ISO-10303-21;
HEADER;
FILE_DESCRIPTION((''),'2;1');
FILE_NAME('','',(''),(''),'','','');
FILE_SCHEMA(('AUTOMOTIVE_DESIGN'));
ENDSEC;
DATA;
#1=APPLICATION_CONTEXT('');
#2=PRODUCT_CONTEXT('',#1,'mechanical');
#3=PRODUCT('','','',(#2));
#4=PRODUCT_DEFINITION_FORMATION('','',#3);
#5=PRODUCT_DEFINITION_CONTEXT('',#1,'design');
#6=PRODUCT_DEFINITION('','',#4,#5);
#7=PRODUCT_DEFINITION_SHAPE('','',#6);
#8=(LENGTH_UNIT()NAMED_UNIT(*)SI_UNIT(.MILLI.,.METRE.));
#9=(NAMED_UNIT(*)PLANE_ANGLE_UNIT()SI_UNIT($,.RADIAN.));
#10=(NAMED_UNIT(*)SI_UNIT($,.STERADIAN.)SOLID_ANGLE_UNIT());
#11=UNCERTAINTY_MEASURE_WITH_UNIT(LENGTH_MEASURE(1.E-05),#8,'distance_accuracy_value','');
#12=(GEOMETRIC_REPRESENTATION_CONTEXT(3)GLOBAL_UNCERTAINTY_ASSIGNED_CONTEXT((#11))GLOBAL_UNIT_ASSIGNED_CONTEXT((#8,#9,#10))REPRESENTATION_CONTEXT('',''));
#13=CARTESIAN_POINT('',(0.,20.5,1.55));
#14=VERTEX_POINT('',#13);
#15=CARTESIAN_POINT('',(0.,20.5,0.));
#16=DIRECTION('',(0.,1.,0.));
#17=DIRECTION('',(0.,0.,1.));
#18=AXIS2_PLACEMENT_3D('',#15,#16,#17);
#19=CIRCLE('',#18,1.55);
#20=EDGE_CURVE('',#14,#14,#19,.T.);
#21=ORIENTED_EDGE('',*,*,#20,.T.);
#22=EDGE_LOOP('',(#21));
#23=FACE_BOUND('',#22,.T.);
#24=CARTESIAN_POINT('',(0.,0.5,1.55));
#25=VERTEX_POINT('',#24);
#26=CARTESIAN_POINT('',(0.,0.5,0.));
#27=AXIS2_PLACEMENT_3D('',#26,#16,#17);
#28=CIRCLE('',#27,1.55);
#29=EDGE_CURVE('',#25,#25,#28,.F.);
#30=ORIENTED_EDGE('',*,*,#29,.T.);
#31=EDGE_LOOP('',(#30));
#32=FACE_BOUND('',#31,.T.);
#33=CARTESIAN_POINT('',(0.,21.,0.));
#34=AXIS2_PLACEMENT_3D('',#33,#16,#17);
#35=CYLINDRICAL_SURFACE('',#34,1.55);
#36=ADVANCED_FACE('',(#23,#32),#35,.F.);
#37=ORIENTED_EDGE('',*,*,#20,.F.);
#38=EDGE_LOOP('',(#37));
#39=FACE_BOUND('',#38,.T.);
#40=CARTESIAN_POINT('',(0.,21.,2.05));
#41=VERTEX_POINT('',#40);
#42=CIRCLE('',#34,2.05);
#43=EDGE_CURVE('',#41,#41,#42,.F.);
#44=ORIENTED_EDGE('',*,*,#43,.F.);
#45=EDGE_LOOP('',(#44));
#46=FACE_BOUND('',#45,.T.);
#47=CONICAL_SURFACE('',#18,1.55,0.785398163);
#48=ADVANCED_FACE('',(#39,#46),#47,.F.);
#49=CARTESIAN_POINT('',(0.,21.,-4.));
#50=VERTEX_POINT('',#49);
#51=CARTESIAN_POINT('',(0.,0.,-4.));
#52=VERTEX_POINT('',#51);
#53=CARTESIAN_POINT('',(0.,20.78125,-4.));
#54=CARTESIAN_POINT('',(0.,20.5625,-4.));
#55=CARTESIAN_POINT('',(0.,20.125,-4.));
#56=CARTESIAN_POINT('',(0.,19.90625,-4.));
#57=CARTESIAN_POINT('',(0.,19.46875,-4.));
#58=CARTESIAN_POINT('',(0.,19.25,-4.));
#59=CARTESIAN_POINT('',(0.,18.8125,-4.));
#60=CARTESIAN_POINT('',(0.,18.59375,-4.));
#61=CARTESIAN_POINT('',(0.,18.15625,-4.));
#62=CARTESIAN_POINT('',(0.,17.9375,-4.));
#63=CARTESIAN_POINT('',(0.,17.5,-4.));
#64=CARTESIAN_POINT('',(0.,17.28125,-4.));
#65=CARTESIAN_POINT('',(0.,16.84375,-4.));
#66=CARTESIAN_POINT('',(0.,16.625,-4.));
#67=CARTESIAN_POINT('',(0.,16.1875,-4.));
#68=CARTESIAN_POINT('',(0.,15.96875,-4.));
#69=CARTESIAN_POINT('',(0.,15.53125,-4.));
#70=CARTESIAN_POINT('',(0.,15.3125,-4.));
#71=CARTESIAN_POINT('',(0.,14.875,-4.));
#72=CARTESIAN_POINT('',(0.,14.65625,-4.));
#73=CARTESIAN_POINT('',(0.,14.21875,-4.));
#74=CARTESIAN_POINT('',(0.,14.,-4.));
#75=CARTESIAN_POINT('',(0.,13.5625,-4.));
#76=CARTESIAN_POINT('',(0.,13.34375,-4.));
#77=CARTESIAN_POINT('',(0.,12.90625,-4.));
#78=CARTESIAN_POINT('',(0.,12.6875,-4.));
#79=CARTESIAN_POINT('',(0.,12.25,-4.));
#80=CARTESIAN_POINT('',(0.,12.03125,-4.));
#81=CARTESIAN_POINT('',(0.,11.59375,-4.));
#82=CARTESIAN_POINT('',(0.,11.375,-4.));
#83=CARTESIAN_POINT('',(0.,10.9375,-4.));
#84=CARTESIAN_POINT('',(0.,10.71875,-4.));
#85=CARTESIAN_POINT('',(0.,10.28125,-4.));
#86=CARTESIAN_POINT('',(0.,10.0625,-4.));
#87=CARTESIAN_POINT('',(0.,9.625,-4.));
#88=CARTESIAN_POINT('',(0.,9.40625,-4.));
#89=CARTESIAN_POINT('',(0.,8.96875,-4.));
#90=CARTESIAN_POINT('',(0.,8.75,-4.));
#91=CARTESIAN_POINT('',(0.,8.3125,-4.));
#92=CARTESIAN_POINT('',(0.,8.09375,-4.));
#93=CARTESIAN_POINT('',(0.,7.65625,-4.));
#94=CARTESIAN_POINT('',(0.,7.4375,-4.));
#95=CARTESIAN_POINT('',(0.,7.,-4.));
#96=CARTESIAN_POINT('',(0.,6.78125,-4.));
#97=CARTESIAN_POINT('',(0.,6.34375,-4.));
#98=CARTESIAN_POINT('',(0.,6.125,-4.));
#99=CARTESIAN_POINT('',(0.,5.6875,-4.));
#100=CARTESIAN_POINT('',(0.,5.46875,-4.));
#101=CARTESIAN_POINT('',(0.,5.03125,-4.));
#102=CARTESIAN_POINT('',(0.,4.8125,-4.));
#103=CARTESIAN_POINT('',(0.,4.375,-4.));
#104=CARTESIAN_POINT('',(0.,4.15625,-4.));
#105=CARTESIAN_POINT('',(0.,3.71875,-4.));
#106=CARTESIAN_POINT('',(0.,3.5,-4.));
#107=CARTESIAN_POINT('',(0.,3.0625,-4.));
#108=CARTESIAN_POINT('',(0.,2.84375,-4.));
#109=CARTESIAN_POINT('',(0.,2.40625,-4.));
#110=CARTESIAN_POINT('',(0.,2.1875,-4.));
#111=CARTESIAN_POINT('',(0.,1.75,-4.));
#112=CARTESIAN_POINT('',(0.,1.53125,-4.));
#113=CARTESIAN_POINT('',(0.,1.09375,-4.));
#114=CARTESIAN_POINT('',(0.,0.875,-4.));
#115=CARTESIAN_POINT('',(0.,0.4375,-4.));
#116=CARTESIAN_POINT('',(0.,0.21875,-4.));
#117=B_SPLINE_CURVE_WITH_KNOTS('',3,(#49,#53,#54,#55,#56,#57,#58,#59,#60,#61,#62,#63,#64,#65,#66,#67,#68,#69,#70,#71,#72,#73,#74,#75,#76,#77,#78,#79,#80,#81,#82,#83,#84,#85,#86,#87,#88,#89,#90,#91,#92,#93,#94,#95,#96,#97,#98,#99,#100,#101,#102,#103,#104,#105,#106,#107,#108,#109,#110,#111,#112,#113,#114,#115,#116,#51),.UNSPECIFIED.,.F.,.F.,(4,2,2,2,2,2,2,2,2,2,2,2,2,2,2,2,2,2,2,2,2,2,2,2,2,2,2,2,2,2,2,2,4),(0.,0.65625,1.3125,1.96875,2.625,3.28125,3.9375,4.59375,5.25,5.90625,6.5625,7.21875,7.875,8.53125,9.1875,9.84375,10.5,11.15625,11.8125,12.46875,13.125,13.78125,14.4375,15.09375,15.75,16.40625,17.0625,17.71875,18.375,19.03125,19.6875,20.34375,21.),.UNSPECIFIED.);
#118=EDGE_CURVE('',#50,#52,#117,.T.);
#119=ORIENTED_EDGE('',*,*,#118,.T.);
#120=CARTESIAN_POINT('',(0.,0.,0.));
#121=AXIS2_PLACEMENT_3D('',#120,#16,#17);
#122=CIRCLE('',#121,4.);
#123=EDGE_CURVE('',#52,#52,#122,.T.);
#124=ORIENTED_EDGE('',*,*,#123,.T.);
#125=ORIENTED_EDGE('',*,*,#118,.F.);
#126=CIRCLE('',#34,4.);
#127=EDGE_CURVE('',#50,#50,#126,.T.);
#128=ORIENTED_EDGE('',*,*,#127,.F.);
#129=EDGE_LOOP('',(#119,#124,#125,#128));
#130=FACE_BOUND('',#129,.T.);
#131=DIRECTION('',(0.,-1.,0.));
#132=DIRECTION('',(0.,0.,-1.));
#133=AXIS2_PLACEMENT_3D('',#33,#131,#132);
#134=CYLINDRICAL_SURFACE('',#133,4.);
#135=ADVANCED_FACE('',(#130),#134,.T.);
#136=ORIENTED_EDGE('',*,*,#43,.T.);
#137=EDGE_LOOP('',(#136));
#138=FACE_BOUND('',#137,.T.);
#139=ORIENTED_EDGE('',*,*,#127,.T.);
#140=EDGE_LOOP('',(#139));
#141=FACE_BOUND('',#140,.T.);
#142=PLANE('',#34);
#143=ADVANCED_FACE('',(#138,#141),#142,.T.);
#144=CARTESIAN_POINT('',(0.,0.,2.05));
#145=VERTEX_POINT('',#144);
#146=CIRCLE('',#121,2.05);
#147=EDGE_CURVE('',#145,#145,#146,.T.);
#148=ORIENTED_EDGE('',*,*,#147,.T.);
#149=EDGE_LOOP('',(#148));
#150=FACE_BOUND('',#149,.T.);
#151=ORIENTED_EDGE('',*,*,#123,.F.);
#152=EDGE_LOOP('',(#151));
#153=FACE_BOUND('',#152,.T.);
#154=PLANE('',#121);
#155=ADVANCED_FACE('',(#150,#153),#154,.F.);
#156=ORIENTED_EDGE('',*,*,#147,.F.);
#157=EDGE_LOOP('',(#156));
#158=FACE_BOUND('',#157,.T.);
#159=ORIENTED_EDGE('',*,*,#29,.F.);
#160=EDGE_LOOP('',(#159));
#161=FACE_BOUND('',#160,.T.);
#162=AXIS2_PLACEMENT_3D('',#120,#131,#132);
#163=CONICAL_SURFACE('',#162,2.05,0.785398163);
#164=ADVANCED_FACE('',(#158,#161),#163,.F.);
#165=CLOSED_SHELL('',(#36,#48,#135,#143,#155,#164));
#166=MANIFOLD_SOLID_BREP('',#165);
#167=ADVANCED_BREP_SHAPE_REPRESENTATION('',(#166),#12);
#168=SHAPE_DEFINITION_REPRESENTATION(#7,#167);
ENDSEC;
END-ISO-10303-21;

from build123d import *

# Parameters (mm, degrees)
SKIZZE1_R                        = 4
AUFSATZ_LINEAR_AUSTRAGEN1_DEPTH  = 21
F_3_1_3_1_DURCHMESSER_BOHRUNG1_D = 3.1
FASE1_SIZE                       = 0.5


with BuildPart() as part:
    # Skizze1 → Aufsatz-Linear austragen1 (new body)
    with BuildSketch(Plane(origin=(0, 0, 0), x_dir=(1, 0, 0), z_dir=(0, 1, 0))):
        with Locations(Location((0, 0, 0), (0, 0, 90))):
            Circle(SKIZZE1_R)
    extrude(amount=AUFSATZ_LINEAR_AUSTRAGEN1_DEPTH)

    # Ø3.1 (3.1) Durchmesser Bohrung1 (through all)
    with Locations(Plane(origin=(0, 21, 0), x_dir=(1, 0, 0), z_dir=(0, 1, 0))):
        with Locations((0, 0)):
            Hole(F_3_1_3_1_DURCHMESSER_BOHRUNG1_D / 2)

    # Fase1
    fase1_edges = [part.edges().sort_by_distance(p)[0] for p in [
        (1.55, 21, 0),
        (1.55, 0, 0),
    ]]
    chamfer(fase1_edges, length=FASE1_SIZE)


solid = part.part
